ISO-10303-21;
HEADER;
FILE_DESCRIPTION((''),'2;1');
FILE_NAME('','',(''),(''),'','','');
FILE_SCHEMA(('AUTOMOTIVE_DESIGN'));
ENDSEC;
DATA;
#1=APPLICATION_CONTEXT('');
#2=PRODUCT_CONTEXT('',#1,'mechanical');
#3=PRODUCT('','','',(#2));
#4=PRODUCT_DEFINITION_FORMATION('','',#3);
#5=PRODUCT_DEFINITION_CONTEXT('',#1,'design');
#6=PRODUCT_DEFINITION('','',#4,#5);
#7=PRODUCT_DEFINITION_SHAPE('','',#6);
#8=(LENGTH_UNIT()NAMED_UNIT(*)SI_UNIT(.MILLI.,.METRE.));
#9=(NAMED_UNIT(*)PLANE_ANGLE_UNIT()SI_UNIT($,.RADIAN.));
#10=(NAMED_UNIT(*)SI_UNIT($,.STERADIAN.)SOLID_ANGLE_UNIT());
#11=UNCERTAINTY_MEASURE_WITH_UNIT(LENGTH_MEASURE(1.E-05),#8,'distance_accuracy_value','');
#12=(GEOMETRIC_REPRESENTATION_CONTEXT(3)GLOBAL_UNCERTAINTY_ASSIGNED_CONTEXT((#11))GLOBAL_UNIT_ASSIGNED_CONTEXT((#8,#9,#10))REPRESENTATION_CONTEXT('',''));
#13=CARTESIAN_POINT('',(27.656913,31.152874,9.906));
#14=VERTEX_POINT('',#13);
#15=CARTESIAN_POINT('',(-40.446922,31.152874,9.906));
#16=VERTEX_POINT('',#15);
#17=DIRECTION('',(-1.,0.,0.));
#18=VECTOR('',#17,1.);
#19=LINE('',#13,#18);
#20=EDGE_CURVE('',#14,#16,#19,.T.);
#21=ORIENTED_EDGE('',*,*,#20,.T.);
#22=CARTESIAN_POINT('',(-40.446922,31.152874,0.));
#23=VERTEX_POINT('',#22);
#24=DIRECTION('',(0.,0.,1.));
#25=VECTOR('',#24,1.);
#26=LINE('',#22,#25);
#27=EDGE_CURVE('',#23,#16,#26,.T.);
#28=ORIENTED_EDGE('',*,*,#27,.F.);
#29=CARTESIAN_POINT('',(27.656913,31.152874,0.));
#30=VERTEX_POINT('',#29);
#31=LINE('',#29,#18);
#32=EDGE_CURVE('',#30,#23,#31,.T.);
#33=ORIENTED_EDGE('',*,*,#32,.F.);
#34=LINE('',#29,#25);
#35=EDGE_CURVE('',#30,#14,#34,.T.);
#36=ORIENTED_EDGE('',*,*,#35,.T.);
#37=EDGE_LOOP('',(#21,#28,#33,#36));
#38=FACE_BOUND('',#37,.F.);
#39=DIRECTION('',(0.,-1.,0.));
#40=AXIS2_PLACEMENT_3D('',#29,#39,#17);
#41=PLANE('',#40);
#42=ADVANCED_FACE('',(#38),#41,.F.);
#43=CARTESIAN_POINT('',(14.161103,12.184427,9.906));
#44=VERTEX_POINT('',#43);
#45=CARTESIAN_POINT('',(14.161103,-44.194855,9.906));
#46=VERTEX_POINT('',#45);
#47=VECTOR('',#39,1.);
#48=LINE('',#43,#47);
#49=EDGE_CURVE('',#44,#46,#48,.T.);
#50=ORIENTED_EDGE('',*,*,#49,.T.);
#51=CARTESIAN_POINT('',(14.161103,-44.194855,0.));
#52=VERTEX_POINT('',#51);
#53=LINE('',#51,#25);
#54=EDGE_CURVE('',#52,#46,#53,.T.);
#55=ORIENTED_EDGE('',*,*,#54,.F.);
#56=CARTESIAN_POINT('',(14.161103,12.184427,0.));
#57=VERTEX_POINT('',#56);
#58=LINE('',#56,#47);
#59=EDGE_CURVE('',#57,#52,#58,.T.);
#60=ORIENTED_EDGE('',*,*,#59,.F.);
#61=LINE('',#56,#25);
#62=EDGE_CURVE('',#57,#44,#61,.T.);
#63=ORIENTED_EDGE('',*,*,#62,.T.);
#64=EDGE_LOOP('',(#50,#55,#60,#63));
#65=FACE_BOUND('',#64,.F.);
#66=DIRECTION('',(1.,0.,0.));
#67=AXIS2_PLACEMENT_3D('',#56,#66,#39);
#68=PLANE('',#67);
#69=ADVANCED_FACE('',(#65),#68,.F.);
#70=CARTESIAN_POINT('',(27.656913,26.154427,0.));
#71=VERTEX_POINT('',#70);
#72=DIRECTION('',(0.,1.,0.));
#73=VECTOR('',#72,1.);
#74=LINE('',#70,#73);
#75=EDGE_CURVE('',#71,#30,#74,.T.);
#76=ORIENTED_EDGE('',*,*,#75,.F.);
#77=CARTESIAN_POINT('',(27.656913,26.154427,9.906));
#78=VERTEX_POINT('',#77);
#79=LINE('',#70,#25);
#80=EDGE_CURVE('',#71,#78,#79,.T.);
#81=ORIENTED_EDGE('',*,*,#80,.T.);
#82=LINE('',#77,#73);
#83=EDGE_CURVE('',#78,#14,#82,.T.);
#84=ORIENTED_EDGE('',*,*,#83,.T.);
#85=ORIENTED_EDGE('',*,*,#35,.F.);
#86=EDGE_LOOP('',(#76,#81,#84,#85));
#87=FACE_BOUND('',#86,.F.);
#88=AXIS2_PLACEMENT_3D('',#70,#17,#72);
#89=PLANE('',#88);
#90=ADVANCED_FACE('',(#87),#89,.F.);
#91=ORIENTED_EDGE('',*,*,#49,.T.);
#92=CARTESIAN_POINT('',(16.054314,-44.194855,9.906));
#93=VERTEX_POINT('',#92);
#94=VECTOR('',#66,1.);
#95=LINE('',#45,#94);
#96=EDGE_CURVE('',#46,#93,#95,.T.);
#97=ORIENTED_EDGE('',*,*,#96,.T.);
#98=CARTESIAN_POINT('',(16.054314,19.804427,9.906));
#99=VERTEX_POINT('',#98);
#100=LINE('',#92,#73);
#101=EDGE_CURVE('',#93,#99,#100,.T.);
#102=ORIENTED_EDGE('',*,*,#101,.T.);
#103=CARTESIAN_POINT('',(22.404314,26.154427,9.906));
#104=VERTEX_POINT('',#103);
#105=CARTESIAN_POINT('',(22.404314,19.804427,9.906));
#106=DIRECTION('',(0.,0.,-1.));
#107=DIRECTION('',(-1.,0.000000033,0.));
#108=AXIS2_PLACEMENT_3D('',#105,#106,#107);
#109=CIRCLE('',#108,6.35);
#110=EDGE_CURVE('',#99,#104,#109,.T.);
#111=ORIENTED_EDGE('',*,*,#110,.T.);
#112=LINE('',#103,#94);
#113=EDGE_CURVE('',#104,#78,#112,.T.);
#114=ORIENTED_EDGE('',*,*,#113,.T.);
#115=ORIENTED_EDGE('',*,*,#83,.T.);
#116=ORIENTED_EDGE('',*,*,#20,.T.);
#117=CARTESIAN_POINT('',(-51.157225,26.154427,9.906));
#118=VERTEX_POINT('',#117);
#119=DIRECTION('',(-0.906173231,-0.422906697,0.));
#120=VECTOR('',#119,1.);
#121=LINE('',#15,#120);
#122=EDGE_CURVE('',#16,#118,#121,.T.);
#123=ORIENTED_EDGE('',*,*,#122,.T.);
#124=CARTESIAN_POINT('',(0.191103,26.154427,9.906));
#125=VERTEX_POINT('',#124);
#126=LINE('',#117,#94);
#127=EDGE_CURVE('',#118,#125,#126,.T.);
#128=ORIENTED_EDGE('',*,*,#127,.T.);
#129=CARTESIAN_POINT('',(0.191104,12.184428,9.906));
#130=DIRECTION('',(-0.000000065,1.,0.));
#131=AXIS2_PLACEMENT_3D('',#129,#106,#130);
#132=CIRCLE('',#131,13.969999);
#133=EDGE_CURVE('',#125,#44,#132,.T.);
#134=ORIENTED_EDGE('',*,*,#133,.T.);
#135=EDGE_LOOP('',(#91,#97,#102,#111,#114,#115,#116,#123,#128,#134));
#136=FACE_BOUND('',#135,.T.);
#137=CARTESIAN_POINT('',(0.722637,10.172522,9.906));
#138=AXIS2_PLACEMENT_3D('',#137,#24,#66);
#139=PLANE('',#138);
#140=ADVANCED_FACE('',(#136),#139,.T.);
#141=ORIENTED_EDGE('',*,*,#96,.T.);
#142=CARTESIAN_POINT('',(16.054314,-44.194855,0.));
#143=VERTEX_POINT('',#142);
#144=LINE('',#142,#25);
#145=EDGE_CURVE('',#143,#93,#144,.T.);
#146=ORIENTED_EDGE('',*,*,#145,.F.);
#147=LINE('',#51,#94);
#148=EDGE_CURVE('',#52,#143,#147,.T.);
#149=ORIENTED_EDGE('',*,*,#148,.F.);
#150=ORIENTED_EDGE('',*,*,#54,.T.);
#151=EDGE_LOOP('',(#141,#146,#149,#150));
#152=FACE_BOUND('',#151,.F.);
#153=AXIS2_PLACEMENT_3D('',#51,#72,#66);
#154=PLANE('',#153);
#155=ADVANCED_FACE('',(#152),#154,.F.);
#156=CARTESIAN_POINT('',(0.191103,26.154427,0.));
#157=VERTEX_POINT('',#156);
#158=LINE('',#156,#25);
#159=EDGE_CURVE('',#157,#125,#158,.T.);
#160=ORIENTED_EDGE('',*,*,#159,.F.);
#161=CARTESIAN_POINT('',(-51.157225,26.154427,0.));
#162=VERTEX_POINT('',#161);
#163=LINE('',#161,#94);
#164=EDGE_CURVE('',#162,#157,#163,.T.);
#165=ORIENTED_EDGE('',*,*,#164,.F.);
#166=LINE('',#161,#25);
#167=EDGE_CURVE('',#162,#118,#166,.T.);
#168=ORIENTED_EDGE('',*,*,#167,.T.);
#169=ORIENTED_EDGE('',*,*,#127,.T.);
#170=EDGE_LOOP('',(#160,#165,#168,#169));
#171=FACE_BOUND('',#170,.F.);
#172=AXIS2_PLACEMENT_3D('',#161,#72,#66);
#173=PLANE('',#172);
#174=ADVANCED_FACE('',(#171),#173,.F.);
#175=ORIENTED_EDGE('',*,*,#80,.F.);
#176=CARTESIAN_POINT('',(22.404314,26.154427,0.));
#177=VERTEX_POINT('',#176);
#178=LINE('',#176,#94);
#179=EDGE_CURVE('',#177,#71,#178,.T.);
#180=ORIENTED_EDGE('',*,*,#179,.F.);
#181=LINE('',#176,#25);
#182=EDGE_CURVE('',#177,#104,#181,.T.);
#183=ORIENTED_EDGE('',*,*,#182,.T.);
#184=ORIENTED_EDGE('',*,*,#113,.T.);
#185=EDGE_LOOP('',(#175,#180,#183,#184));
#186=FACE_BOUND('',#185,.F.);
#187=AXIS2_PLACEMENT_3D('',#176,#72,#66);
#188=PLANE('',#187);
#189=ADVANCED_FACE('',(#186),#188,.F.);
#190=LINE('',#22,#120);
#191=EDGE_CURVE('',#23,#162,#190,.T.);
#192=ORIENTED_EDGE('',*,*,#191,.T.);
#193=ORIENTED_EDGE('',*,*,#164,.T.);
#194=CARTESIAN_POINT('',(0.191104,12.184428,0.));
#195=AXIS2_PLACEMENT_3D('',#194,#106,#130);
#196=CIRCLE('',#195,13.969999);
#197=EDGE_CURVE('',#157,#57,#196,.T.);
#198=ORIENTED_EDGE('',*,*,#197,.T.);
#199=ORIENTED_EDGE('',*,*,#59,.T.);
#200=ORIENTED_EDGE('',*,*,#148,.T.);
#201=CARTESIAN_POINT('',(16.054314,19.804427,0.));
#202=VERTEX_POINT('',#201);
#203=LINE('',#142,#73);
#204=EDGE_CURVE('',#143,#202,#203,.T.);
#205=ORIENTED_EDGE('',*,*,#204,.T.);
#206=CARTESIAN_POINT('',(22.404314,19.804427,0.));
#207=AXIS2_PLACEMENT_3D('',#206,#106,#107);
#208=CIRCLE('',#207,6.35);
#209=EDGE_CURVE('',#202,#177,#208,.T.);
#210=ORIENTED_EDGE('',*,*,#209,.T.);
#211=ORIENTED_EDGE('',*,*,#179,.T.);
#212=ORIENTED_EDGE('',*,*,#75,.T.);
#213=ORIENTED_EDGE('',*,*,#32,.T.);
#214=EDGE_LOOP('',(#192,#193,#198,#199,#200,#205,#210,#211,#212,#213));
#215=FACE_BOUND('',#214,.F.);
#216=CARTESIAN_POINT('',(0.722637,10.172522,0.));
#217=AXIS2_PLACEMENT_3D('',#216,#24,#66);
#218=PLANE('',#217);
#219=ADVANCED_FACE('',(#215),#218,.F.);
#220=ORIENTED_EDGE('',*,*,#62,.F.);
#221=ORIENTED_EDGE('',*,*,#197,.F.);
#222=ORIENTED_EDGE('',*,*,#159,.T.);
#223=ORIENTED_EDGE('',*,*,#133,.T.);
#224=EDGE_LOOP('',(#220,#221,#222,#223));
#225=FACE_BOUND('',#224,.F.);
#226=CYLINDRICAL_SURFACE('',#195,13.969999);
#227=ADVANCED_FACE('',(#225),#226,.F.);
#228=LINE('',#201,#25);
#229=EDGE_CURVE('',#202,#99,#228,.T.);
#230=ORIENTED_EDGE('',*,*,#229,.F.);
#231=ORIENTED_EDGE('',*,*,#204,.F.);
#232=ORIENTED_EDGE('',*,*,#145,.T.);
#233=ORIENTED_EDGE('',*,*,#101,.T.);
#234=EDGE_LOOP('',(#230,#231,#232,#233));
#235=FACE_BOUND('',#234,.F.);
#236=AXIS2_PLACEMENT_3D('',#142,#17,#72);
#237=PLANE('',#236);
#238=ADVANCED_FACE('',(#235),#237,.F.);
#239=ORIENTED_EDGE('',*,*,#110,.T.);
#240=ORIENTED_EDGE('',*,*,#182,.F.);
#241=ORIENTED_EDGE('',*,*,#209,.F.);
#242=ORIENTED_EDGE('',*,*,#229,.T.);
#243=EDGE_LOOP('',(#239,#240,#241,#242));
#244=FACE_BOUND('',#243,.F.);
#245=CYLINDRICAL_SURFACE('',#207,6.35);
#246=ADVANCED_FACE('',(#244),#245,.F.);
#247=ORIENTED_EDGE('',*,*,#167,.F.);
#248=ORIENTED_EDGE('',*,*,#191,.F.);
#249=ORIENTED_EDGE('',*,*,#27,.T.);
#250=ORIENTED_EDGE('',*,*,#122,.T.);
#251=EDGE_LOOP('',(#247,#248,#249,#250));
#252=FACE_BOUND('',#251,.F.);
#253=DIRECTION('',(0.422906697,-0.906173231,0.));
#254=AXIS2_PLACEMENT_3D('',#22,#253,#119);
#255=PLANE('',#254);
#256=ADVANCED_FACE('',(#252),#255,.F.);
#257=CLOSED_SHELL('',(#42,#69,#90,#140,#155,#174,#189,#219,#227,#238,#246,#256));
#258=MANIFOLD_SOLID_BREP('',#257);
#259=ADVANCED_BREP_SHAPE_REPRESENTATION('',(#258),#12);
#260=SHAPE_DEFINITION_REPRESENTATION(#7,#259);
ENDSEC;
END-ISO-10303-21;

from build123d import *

# Parameters (mm, degrees)
F1_DEPTH = 9.906


with BuildPart() as f1:
    # F0 (on Top) → F1 (new body)
    with BuildSketch(Plane.XY):
        with BuildLine():
            Line((14.161103, -44.194855), (16.054314, -44.194855))
            Line((16.054314, -44.194855), (16.054314, 19.804427))
            ThreePointArc((16.054314, 19.804427), (17.914186, 24.294555), (22.404314, 26.154427))
            Line((22.404314, 26.154427), (27.656913, 26.154427))
            Line((27.656913, 26.154427), (27.656913, 31.152874))
            Line((27.656913, 31.152874), (16.054314, 31.152874))
            Line((16.054314, 31.152874), (14.161103, 31.152874))
            Line((14.161103, 31.152874), (-40.446922, 31.152874))
            Line((-40.446922, 31.152874), (-51.157225, 26.154427))
            Line((-51.157225, 26.154427), (-47.069866, 26.154427))
            Line((-47.069866, 26.154427), (-45.070488, 26.154427))
            Line((-45.070488, 26.154427), (0.191103, 26.154427))
            ThreePointArc((0.191103, 26.154427), (10.069385, 22.062709), (14.161103, 12.184427))
            Line((14.161103, 12.184427), (14.161103, -44.194855))
        make_face()
    extrude(amount=F1_DEPTH)


solid = f1.part
